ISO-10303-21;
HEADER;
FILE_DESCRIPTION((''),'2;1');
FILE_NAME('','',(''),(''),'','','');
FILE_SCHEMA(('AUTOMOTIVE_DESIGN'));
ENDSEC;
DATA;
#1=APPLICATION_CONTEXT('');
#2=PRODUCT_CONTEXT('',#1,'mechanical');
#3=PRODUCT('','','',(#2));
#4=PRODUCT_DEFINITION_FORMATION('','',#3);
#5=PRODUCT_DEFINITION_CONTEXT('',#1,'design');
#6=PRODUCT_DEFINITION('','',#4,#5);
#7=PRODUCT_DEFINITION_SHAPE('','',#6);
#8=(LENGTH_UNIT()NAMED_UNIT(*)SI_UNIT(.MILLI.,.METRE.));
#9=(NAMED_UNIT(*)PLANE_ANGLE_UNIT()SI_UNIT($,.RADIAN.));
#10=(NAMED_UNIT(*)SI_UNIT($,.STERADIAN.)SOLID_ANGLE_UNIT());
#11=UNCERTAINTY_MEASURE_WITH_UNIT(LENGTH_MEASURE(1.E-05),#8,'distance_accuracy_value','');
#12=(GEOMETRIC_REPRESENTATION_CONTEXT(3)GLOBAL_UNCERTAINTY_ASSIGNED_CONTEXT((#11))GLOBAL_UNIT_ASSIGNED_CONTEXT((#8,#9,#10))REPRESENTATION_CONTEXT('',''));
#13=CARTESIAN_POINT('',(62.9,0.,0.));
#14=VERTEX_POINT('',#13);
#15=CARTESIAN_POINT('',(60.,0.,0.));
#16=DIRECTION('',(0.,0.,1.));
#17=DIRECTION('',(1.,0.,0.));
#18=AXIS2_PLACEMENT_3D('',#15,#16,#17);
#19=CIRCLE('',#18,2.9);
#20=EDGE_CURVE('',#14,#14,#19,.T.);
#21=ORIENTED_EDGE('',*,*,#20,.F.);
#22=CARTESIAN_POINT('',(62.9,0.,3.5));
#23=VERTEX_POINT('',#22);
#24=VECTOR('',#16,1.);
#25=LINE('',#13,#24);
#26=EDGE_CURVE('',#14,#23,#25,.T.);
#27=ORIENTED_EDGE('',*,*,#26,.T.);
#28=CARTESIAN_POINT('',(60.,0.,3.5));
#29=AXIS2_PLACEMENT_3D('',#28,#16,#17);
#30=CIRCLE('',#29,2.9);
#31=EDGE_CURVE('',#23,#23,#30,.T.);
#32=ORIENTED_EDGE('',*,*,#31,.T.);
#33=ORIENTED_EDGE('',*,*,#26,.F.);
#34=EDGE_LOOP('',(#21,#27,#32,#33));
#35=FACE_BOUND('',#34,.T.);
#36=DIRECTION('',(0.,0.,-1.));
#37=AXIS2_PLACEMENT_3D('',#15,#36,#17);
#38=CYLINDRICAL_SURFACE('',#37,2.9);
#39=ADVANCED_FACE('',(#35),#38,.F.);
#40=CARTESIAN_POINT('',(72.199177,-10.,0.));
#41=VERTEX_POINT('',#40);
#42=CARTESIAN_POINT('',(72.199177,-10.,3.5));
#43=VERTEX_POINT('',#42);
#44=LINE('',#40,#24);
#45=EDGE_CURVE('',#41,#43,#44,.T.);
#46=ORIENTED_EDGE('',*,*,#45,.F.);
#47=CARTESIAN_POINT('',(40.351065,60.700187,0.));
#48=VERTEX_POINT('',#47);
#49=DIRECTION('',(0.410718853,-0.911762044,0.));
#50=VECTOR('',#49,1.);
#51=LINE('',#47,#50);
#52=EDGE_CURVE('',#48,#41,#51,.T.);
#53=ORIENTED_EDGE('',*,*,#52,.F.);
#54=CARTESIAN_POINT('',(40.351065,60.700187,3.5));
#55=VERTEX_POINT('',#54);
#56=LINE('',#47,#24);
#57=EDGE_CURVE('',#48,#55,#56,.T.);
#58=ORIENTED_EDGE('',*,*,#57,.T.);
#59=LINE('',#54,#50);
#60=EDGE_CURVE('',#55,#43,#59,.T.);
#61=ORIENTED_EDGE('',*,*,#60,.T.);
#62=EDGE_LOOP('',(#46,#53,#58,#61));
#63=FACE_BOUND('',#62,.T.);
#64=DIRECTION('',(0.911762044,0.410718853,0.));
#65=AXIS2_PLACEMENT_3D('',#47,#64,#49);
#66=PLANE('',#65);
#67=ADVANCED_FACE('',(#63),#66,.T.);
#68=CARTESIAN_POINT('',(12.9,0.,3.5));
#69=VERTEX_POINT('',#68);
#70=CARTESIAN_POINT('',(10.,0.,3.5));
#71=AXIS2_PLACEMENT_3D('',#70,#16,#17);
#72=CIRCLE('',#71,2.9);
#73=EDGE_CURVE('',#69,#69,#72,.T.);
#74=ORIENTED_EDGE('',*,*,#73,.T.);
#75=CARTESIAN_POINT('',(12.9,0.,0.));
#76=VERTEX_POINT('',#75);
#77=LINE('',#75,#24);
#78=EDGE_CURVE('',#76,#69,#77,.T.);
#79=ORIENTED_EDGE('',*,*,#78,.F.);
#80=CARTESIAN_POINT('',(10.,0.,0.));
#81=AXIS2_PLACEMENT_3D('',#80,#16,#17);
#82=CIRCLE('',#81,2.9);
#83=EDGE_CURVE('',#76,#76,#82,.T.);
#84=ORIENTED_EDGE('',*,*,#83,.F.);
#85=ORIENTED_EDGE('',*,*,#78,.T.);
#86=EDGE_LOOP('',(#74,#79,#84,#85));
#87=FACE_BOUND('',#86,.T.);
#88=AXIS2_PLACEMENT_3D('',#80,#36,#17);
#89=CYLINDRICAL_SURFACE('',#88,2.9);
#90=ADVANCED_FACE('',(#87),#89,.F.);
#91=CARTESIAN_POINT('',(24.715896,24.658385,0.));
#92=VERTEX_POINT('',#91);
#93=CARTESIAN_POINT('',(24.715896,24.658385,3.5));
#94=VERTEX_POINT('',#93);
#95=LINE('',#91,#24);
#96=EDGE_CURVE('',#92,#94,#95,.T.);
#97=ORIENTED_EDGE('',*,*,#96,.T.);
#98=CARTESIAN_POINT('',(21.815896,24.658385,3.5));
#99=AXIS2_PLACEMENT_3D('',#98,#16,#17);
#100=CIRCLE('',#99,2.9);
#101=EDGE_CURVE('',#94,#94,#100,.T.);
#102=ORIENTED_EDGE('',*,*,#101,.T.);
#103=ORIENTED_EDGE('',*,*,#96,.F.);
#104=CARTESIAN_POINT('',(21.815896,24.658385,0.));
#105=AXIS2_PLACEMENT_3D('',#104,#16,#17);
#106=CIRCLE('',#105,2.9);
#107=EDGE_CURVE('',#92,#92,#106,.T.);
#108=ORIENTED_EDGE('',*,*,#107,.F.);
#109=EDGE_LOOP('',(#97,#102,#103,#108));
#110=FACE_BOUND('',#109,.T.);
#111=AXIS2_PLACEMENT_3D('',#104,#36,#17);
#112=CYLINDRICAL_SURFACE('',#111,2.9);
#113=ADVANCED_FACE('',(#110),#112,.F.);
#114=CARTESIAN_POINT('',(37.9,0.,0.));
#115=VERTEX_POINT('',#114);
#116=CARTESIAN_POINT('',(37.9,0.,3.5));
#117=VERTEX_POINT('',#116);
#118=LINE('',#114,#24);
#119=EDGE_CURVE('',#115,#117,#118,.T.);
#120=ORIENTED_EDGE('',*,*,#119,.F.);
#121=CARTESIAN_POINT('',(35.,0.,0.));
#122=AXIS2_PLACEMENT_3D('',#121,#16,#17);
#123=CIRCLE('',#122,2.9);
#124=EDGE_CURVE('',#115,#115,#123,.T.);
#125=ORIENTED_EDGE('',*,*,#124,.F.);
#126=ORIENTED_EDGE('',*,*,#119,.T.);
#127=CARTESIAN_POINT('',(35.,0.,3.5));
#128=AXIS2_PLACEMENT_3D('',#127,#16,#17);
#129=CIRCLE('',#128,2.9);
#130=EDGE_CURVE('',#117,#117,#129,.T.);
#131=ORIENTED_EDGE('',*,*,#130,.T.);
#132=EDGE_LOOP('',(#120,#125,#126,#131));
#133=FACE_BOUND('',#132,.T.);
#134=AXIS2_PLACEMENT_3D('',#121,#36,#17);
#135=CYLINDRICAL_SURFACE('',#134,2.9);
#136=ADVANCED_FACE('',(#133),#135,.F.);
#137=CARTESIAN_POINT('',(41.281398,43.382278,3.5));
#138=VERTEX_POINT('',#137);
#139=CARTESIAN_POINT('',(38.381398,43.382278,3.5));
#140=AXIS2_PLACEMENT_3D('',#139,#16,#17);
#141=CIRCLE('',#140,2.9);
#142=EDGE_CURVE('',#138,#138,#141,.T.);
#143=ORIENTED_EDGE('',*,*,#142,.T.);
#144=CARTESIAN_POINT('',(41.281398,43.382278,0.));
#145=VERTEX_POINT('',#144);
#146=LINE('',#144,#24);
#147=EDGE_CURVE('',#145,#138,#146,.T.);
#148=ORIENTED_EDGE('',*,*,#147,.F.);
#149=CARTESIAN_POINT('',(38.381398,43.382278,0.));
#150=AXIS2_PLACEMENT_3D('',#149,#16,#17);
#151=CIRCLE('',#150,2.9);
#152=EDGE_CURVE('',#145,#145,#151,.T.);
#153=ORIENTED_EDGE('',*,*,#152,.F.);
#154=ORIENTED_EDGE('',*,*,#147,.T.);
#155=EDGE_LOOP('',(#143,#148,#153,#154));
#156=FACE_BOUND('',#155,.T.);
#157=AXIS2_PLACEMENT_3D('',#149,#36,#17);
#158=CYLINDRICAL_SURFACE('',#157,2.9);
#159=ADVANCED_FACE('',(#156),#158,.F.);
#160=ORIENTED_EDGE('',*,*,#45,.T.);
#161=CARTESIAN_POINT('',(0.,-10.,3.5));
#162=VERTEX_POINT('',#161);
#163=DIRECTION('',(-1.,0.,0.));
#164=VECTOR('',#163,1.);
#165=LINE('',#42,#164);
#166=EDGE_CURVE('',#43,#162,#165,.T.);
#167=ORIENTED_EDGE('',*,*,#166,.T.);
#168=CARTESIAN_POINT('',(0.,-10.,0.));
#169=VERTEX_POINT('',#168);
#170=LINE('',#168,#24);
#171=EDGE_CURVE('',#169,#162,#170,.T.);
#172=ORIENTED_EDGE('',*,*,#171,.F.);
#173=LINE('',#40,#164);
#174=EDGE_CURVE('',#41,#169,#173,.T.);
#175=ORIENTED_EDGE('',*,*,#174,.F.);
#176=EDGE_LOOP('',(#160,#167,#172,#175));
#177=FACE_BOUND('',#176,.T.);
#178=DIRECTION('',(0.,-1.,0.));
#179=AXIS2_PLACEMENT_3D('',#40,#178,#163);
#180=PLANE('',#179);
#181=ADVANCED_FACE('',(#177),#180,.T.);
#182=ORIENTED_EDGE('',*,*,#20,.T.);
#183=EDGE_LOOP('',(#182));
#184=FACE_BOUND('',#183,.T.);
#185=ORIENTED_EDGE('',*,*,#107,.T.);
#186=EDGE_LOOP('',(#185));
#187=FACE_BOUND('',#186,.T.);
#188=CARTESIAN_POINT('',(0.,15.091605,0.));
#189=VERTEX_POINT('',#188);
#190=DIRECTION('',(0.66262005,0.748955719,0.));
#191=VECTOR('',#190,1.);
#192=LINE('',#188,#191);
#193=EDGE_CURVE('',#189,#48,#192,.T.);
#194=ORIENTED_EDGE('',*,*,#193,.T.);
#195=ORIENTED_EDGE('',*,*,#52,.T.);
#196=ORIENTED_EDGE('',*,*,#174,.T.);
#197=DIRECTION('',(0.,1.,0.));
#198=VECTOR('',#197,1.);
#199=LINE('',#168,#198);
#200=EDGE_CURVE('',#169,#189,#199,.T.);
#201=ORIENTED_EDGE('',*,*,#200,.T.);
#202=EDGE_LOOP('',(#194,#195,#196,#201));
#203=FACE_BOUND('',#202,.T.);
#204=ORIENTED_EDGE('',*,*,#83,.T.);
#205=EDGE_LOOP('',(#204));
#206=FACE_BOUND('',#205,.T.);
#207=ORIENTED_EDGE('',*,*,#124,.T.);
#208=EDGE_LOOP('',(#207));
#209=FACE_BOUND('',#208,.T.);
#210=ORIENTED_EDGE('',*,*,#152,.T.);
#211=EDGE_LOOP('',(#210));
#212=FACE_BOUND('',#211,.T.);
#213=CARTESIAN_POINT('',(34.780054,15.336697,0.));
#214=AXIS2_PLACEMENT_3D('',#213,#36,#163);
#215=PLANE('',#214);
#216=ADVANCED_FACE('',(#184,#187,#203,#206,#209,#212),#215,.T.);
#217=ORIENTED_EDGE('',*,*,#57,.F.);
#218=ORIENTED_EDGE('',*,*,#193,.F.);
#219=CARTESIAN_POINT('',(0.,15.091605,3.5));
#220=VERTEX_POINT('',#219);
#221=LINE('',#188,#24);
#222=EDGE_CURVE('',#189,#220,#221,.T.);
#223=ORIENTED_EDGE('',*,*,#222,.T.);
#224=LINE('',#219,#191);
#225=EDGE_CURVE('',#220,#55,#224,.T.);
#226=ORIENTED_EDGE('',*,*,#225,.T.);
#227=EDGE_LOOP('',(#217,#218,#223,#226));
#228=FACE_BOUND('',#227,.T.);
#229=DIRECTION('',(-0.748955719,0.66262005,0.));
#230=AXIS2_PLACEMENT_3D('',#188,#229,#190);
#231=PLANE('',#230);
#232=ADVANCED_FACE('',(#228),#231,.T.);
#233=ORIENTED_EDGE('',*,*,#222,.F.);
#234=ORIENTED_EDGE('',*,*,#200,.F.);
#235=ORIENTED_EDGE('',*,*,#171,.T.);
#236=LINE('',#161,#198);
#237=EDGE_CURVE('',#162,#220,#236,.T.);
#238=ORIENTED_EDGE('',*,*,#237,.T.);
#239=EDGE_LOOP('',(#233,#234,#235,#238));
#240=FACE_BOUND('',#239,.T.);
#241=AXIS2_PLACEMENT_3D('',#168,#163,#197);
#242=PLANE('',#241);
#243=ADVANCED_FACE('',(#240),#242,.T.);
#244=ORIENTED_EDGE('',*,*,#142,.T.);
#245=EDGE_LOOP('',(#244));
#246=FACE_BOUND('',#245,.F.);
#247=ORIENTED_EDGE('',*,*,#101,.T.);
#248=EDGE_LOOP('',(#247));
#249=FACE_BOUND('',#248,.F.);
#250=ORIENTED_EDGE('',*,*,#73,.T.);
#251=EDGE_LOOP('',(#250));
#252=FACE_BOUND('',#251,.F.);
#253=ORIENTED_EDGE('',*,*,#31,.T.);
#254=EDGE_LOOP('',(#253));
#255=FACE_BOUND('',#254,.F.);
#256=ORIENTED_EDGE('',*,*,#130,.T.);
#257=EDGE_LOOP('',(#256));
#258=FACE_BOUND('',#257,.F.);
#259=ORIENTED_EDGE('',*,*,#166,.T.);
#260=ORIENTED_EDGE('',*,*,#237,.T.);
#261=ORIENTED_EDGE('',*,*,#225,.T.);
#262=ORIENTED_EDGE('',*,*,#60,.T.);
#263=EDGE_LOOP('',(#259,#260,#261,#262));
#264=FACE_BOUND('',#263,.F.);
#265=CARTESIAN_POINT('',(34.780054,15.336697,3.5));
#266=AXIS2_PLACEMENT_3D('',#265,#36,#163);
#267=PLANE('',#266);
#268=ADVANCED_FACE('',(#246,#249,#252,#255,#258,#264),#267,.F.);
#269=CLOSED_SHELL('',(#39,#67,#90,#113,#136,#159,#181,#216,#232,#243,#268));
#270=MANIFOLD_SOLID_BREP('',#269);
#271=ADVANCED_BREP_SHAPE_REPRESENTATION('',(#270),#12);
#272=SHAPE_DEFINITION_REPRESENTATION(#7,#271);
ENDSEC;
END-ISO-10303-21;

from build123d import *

# Parameters (mm, degrees)
SKETCH_R  = 2.9
PAD_DEPTH = 3.5


with BuildPart() as part:
    # Sketch → Pad (new body)
    with BuildSketch(Plane.XY):
        Polygon((0, -10), (0, 15.091605), (40.351065, 60.700187), (72.199177, -10), align=None)
        with Locations((21.815896, 24.658385)):
            Circle(SKETCH_R, mode=Mode.SUBTRACT)
        with Locations((38.381398, 43.382278)):
            Circle(SKETCH_R, mode=Mode.SUBTRACT)
        with Locations((60, 0)):
            Circle(SKETCH_R, mode=Mode.SUBTRACT)
        with Locations((35, 0)):
            Circle(SKETCH_R, mode=Mode.SUBTRACT)
        with Locations((10, 0)):
            Circle(SKETCH_R, mode=Mode.SUBTRACT)
    extrude(amount=PAD_DEPTH)


solid = part.part
